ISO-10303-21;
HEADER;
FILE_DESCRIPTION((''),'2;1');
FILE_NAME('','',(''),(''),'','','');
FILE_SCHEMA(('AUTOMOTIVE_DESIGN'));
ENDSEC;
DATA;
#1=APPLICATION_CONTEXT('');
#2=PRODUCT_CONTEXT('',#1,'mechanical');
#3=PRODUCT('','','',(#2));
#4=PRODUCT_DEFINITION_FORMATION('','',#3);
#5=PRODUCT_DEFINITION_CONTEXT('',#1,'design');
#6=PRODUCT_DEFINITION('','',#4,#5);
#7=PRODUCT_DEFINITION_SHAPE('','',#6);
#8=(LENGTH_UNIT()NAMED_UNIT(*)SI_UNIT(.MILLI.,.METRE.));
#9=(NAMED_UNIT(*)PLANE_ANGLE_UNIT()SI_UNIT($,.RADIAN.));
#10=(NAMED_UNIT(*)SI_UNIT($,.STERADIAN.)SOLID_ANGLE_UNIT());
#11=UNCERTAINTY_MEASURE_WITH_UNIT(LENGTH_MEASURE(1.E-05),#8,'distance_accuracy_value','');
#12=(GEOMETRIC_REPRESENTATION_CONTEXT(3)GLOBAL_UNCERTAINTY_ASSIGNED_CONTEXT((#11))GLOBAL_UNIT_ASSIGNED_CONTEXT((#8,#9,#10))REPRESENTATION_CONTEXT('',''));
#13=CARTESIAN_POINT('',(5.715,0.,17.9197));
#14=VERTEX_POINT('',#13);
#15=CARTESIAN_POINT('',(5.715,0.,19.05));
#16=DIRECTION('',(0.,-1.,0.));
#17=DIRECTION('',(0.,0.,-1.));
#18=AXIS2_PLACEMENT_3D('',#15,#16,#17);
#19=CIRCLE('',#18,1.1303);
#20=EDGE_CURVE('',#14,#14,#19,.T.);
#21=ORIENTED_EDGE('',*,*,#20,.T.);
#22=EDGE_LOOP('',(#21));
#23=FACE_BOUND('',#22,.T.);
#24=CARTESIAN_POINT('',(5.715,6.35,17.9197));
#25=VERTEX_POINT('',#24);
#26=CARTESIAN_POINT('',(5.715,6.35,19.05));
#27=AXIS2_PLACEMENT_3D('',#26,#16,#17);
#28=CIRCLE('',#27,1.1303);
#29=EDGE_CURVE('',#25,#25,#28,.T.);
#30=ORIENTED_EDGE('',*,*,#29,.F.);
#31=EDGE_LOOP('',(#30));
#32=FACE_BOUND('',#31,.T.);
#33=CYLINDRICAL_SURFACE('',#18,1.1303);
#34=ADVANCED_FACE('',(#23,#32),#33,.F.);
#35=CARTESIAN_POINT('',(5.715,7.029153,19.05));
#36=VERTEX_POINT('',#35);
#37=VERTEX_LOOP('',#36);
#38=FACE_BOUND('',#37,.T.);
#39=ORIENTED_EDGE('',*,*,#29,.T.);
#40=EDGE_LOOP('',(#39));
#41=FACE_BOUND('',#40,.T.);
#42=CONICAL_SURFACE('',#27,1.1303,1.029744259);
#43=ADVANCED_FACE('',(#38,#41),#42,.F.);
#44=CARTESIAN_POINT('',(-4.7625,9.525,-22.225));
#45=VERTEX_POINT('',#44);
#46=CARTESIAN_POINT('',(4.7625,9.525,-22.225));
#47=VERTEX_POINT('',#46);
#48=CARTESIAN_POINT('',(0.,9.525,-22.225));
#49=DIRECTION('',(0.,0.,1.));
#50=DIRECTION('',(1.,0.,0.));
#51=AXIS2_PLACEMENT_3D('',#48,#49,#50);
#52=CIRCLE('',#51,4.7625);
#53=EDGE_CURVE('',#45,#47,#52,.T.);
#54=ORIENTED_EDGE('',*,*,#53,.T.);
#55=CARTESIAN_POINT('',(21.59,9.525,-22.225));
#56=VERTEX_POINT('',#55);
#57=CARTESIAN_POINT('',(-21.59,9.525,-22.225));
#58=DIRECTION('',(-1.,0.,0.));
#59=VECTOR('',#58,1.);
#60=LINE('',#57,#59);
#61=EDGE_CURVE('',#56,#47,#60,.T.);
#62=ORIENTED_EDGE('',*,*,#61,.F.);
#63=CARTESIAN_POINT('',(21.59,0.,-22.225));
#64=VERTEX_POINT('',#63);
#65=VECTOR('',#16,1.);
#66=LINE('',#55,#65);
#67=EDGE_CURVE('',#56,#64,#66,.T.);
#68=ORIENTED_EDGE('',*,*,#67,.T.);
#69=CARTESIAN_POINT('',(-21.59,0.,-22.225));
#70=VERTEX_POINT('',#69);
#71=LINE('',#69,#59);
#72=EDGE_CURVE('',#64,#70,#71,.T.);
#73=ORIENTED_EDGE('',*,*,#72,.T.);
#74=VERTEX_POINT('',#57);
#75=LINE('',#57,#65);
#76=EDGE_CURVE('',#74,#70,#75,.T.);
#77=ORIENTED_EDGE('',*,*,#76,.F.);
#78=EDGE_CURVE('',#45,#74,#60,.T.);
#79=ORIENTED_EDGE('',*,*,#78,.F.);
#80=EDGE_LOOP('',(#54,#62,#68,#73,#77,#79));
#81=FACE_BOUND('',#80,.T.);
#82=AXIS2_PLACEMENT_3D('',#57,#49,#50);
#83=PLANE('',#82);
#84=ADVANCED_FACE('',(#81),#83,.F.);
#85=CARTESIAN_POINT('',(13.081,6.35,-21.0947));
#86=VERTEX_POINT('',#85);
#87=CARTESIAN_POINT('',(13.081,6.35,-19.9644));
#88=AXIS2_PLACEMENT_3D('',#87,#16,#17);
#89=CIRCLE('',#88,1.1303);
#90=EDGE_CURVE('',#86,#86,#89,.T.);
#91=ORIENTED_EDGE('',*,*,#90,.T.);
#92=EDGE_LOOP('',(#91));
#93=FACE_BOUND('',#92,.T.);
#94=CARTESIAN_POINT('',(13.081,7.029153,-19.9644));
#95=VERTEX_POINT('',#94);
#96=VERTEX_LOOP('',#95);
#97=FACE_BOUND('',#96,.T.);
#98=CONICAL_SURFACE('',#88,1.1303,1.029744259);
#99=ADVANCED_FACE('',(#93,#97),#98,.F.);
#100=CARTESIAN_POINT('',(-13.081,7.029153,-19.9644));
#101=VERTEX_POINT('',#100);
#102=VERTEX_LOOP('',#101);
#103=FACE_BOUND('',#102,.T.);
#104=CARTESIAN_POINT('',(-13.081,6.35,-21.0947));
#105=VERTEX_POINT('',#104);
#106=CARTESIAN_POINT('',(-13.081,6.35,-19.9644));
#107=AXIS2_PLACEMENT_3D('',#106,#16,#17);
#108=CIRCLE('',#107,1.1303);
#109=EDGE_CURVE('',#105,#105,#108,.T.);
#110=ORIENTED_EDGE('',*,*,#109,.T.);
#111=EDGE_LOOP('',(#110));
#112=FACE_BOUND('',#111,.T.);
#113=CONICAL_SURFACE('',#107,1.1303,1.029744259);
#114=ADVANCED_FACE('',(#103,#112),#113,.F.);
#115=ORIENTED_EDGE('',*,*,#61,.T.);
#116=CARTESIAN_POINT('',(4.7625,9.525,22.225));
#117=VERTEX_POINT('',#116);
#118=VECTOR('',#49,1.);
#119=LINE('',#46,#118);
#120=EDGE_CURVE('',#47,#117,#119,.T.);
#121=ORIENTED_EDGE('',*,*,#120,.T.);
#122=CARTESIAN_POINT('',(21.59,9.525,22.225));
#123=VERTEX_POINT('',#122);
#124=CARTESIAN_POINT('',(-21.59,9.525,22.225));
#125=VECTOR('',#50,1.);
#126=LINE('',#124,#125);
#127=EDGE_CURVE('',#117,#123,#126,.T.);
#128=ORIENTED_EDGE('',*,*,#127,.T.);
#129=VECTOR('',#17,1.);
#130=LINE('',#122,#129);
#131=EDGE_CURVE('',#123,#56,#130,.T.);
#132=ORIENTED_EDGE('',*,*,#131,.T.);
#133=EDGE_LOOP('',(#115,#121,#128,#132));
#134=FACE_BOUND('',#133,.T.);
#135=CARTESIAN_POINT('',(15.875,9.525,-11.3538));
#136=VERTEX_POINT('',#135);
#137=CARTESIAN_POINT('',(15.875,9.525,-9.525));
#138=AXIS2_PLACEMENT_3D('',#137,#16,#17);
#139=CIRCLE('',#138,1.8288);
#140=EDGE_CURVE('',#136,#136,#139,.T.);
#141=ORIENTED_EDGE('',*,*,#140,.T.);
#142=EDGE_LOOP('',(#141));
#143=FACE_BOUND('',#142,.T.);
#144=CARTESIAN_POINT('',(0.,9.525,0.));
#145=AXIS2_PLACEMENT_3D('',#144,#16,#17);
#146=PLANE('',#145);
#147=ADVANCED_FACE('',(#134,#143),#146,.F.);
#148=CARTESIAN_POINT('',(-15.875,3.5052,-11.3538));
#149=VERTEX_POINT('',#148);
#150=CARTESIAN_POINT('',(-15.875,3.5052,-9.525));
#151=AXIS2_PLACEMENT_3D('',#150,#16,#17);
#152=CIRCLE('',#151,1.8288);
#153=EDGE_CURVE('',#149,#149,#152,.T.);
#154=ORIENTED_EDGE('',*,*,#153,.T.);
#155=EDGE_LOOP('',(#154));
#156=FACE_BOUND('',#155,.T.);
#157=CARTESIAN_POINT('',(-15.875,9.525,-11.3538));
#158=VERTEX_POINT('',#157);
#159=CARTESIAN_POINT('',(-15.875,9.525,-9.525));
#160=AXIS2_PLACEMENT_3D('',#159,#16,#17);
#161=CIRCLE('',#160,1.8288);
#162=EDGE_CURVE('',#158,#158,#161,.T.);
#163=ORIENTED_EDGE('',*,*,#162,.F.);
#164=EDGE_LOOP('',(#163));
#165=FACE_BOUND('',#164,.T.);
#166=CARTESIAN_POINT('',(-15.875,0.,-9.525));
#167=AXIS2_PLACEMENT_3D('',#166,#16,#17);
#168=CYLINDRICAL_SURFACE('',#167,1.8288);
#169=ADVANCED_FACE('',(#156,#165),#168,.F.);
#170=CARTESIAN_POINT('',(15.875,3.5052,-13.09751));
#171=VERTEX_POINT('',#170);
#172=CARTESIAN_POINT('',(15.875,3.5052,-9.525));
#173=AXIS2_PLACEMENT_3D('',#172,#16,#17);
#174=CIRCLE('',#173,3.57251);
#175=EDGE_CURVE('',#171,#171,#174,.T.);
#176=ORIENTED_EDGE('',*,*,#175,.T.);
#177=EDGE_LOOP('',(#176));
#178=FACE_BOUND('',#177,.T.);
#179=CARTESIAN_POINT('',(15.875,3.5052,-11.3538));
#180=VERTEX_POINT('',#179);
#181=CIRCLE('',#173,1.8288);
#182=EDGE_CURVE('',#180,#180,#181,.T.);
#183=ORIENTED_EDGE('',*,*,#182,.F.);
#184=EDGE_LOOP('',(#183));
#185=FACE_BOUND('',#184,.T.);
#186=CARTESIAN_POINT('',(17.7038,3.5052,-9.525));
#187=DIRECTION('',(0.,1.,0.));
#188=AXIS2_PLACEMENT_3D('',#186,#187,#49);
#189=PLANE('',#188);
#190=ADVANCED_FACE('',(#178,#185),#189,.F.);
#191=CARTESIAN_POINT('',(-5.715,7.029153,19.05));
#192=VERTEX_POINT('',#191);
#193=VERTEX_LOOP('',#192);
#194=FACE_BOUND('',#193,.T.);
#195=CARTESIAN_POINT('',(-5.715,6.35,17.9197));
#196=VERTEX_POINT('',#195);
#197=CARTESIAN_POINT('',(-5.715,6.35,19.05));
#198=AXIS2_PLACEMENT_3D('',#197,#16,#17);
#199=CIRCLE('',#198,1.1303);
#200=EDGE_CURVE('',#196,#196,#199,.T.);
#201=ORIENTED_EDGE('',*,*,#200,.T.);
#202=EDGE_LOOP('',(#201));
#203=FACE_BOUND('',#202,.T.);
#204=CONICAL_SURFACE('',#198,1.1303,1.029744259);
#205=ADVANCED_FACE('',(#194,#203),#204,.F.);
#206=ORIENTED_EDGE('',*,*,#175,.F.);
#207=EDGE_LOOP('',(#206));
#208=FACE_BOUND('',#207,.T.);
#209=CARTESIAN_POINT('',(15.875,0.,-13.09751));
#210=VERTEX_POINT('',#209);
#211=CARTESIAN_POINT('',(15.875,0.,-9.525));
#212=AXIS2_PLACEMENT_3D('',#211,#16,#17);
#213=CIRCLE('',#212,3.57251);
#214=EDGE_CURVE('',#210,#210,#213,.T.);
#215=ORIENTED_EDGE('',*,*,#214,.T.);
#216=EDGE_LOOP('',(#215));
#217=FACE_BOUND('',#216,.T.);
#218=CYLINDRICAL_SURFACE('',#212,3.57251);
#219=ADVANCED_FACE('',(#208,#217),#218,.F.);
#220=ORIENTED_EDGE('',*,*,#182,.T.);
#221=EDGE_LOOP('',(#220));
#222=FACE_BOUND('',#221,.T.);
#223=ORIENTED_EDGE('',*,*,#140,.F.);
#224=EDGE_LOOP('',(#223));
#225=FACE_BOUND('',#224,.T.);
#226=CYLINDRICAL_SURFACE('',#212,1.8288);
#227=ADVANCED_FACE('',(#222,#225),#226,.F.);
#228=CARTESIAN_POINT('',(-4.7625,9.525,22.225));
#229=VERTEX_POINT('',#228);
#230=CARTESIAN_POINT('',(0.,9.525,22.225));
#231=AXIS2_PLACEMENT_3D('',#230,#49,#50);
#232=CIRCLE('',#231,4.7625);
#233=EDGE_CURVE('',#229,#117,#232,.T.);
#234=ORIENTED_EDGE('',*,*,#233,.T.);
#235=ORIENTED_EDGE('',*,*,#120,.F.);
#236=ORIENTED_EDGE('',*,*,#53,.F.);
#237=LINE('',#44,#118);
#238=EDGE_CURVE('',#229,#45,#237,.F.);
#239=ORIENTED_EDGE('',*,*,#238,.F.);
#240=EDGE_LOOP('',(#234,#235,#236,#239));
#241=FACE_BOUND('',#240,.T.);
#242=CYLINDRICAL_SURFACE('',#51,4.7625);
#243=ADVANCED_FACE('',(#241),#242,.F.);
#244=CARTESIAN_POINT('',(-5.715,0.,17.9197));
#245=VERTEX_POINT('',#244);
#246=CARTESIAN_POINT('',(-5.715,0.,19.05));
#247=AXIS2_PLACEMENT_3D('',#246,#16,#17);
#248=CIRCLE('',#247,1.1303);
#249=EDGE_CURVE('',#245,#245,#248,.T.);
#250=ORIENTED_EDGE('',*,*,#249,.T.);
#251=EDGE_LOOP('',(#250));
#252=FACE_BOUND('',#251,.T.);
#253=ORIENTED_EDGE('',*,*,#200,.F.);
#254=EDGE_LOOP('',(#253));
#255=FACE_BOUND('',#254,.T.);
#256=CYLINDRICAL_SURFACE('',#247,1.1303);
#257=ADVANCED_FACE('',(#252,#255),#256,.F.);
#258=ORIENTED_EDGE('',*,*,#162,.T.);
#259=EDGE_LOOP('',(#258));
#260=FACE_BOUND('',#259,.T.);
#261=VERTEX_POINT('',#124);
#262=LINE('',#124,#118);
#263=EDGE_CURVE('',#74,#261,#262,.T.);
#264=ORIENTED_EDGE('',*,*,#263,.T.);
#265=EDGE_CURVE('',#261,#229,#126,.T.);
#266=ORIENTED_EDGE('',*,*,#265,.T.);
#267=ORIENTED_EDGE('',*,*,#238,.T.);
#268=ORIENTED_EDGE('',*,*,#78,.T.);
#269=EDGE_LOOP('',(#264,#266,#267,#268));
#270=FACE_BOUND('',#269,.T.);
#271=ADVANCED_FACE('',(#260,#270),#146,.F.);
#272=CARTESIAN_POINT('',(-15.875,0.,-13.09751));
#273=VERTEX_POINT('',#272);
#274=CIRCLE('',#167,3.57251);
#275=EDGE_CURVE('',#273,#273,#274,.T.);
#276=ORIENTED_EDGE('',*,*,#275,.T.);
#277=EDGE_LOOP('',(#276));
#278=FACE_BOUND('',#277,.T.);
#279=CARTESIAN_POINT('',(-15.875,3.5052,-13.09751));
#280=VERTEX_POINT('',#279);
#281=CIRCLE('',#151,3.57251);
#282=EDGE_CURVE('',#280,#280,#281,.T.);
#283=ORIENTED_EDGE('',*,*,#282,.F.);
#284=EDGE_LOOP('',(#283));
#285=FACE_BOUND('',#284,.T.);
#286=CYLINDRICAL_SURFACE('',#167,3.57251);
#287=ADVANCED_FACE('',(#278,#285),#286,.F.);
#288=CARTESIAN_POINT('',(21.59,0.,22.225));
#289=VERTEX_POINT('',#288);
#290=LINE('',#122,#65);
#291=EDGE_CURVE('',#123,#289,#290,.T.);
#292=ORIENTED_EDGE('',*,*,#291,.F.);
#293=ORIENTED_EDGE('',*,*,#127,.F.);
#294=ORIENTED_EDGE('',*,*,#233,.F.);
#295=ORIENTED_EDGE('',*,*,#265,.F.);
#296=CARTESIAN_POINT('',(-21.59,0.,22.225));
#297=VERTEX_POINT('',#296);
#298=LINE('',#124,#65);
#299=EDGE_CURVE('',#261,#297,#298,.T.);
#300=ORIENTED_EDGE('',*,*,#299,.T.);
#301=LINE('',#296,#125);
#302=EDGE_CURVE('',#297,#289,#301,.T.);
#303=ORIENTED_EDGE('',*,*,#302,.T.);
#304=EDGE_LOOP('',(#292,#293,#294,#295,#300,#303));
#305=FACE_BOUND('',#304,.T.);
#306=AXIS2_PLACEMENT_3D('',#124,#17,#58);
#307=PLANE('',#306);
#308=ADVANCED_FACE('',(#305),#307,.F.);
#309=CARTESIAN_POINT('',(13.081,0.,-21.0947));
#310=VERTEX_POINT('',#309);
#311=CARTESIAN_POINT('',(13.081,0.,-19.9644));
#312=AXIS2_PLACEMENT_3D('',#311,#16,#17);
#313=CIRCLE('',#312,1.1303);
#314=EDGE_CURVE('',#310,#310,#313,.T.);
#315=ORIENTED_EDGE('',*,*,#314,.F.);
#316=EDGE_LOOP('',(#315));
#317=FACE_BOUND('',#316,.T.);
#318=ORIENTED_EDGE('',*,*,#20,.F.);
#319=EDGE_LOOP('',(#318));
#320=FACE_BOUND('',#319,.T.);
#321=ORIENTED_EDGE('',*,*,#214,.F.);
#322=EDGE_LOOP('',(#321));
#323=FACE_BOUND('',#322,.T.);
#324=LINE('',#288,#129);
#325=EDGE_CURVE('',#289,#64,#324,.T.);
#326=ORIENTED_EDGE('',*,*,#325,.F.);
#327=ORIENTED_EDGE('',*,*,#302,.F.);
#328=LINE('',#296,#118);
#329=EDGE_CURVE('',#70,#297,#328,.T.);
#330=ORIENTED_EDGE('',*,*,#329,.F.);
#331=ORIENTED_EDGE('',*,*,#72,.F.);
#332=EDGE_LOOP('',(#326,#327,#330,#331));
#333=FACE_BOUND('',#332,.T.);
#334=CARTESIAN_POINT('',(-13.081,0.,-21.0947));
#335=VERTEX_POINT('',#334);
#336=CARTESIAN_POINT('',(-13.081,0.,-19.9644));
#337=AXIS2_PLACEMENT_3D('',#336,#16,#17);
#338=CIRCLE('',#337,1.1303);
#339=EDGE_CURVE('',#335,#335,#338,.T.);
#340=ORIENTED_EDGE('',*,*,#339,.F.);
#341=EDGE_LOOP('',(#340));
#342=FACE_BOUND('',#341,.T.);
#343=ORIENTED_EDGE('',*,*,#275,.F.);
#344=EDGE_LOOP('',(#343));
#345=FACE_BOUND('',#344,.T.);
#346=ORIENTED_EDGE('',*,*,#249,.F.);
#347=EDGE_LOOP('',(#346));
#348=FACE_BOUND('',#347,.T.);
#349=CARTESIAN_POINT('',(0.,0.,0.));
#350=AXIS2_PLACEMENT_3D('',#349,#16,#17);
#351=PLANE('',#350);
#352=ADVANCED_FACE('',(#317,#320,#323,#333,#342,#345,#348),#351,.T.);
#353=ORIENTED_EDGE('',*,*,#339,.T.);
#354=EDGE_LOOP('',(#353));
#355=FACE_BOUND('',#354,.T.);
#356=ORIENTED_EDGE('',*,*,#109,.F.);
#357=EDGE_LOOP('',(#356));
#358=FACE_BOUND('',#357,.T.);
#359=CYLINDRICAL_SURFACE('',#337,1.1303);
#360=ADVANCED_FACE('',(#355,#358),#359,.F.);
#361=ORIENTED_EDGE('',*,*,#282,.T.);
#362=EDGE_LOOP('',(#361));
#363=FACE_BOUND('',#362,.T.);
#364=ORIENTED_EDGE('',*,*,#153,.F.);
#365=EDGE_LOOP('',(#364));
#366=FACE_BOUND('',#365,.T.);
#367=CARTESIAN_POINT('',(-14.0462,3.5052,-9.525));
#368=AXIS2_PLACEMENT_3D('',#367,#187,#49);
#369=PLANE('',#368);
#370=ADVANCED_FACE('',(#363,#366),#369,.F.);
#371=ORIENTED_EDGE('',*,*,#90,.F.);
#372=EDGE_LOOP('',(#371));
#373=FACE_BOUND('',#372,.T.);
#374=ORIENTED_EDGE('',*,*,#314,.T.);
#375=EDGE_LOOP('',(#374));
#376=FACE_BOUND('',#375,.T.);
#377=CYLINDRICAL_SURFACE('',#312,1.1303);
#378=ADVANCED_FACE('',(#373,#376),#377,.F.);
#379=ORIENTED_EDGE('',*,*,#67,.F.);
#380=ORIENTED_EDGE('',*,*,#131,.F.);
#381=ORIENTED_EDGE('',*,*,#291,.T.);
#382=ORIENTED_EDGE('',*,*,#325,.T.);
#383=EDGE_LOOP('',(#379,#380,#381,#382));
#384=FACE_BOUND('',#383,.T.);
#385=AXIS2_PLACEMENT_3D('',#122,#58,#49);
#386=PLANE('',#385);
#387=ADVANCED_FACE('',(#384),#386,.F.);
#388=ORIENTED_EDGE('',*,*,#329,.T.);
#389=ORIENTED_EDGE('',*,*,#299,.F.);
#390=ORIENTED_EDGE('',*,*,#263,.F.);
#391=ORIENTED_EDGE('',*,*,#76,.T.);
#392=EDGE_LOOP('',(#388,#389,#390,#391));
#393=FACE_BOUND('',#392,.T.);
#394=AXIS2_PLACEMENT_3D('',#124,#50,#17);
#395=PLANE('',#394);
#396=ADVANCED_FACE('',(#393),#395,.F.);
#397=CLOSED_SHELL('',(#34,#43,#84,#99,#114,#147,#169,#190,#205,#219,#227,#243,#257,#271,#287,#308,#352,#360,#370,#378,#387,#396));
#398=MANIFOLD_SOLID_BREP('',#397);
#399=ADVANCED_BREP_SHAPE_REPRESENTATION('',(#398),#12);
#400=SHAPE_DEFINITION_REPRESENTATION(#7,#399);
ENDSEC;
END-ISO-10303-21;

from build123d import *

# Parameters (mm, degrees)
SKETCH1_W                                      = 43.18
SKETCH1_H                                      = 44.45
BOSS_EXTRUDE1_DEPTH                            = 9.525
SKETCH4_R                                      = 4.7625
CUT_EXTRUDE1_DEPTH                             = 51.32550273
MOTORHOLES_D                                   = 2.2606
MOTORHOLES_DEPTH                               = 6.35
MOTORHOLES_TIP                                 = 0.679152758
CBORE_FOR_6_SOCKET_HEAD_CAP_SCREW1_D           = 3.6576
CBORE_FOR_6_SOCKET_HEAD_CAP_SCREW1_CBORE_D     = 7.14502
CBORE_FOR_6_SOCKET_HEAD_CAP_SCREW1_CBORE_DEPTH = 3.5052


with BuildPart() as part:
    # Sketch1 → Boss-Extrude1 (new body)
    with BuildSketch(Plane(origin=(0, 0, 0), x_dir=(1, 0, 0), z_dir=(0, 1, 0))):
        Rectangle(SKETCH1_W, SKETCH1_H)
    extrude(amount=BOSS_EXTRUDE1_DEPTH)

    # Sketch4 → Cut-Extrude1 (cut, through all)
    with BuildSketch(Plane.XY.offset(22.225)):
        with Locations((0, 9.525)):
            Circle(SKETCH4_R)
    extrude(amount=-CUT_EXTRUDE1_DEPTH, mode=Mode.SUBTRACT)

    # MotorHoles
    with Locations(Plane(origin=(0, 0, 0), x_dir=(-1, 0, 0), z_dir=(0, -1, 0))):
        with Locations((-5.715, -19.05), (5.715, -19.05), (13.081, 19.9644), (-13.081, 19.9644)):
            Hole(MOTORHOLES_D / 2, depth=MOTORHOLES_DEPTH)
            with Locations((0, 0, -(MOTORHOLES_DEPTH + MOTORHOLES_TIP / 2))):  # 118° drill point
                Cone(0, MOTORHOLES_D / 2, MOTORHOLES_TIP, mode=Mode.SUBTRACT)

    # CBORE for #6 Socket Head Cap Screw1 (through all)
    with Locations(Plane(origin=(0, 0, 0), x_dir=(-1, 0, 0), z_dir=(0, -1, 0))):
        with Locations((-15.875, 9.525), (15.875, 9.525)):
            CounterBoreHole(CBORE_FOR_6_SOCKET_HEAD_CAP_SCREW1_D / 2, CBORE_FOR_6_SOCKET_HEAD_CAP_SCREW1_CBORE_D / 2, CBORE_FOR_6_SOCKET_HEAD_CAP_SCREW1_CBORE_DEPTH)


solid = part.part
